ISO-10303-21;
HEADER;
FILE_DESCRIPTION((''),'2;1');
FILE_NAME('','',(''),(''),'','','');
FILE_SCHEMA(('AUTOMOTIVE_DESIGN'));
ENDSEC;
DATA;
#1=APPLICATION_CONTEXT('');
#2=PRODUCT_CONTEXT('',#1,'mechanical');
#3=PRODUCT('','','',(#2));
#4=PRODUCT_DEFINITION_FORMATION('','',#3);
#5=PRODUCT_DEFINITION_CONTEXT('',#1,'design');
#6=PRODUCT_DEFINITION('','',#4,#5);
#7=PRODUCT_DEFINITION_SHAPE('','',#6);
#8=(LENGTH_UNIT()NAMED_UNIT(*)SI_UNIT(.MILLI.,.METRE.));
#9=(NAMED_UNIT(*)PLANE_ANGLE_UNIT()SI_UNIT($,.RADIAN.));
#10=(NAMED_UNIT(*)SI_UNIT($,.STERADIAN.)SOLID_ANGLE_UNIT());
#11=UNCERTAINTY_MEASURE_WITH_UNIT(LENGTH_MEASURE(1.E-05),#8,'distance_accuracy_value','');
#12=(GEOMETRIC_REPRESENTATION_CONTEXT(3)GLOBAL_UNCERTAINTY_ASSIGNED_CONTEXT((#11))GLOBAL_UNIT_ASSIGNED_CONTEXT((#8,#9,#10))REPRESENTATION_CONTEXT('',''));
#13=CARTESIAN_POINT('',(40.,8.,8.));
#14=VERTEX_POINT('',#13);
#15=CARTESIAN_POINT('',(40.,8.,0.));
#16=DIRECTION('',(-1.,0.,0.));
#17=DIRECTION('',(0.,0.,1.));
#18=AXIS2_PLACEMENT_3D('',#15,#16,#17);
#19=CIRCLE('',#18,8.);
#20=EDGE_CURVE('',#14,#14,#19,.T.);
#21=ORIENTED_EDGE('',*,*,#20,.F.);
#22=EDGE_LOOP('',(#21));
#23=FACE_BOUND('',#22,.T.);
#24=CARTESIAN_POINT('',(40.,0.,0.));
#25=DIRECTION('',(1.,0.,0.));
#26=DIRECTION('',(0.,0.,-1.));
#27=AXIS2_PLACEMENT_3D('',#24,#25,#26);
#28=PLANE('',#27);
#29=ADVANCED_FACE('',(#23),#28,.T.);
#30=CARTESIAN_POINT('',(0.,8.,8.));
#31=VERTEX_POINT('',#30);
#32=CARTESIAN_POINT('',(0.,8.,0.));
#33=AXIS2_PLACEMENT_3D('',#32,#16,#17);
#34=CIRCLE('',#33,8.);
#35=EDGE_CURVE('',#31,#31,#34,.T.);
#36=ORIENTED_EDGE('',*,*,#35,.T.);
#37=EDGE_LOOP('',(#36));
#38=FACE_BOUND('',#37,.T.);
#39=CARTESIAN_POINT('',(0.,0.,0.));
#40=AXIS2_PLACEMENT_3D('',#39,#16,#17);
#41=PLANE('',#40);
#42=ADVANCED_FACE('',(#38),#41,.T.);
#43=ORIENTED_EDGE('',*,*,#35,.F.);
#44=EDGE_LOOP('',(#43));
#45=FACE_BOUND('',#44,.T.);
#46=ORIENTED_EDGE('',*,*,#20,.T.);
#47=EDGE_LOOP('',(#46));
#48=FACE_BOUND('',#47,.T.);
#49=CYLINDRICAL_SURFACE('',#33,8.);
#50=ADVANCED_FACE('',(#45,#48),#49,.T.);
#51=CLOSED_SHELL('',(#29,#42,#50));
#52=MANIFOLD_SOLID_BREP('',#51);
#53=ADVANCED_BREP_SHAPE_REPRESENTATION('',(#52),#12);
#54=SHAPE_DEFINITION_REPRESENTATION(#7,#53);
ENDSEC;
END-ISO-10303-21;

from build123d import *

# Parameters (mm, degrees)
SCHIZZO1_W = 40
SCHIZZO1_H = 8


with BuildPart() as part:
    # Schizzo1 → Rivoluzione1 (revolve)
    with BuildSketch(Plane.XY):
        with Locations((20, 4)):
            Rectangle(SCHIZZO1_W, SCHIZZO1_H)
    revolve(axis=Axis((0, 8, 0), (1, 0, 0)))


solid = part.part
